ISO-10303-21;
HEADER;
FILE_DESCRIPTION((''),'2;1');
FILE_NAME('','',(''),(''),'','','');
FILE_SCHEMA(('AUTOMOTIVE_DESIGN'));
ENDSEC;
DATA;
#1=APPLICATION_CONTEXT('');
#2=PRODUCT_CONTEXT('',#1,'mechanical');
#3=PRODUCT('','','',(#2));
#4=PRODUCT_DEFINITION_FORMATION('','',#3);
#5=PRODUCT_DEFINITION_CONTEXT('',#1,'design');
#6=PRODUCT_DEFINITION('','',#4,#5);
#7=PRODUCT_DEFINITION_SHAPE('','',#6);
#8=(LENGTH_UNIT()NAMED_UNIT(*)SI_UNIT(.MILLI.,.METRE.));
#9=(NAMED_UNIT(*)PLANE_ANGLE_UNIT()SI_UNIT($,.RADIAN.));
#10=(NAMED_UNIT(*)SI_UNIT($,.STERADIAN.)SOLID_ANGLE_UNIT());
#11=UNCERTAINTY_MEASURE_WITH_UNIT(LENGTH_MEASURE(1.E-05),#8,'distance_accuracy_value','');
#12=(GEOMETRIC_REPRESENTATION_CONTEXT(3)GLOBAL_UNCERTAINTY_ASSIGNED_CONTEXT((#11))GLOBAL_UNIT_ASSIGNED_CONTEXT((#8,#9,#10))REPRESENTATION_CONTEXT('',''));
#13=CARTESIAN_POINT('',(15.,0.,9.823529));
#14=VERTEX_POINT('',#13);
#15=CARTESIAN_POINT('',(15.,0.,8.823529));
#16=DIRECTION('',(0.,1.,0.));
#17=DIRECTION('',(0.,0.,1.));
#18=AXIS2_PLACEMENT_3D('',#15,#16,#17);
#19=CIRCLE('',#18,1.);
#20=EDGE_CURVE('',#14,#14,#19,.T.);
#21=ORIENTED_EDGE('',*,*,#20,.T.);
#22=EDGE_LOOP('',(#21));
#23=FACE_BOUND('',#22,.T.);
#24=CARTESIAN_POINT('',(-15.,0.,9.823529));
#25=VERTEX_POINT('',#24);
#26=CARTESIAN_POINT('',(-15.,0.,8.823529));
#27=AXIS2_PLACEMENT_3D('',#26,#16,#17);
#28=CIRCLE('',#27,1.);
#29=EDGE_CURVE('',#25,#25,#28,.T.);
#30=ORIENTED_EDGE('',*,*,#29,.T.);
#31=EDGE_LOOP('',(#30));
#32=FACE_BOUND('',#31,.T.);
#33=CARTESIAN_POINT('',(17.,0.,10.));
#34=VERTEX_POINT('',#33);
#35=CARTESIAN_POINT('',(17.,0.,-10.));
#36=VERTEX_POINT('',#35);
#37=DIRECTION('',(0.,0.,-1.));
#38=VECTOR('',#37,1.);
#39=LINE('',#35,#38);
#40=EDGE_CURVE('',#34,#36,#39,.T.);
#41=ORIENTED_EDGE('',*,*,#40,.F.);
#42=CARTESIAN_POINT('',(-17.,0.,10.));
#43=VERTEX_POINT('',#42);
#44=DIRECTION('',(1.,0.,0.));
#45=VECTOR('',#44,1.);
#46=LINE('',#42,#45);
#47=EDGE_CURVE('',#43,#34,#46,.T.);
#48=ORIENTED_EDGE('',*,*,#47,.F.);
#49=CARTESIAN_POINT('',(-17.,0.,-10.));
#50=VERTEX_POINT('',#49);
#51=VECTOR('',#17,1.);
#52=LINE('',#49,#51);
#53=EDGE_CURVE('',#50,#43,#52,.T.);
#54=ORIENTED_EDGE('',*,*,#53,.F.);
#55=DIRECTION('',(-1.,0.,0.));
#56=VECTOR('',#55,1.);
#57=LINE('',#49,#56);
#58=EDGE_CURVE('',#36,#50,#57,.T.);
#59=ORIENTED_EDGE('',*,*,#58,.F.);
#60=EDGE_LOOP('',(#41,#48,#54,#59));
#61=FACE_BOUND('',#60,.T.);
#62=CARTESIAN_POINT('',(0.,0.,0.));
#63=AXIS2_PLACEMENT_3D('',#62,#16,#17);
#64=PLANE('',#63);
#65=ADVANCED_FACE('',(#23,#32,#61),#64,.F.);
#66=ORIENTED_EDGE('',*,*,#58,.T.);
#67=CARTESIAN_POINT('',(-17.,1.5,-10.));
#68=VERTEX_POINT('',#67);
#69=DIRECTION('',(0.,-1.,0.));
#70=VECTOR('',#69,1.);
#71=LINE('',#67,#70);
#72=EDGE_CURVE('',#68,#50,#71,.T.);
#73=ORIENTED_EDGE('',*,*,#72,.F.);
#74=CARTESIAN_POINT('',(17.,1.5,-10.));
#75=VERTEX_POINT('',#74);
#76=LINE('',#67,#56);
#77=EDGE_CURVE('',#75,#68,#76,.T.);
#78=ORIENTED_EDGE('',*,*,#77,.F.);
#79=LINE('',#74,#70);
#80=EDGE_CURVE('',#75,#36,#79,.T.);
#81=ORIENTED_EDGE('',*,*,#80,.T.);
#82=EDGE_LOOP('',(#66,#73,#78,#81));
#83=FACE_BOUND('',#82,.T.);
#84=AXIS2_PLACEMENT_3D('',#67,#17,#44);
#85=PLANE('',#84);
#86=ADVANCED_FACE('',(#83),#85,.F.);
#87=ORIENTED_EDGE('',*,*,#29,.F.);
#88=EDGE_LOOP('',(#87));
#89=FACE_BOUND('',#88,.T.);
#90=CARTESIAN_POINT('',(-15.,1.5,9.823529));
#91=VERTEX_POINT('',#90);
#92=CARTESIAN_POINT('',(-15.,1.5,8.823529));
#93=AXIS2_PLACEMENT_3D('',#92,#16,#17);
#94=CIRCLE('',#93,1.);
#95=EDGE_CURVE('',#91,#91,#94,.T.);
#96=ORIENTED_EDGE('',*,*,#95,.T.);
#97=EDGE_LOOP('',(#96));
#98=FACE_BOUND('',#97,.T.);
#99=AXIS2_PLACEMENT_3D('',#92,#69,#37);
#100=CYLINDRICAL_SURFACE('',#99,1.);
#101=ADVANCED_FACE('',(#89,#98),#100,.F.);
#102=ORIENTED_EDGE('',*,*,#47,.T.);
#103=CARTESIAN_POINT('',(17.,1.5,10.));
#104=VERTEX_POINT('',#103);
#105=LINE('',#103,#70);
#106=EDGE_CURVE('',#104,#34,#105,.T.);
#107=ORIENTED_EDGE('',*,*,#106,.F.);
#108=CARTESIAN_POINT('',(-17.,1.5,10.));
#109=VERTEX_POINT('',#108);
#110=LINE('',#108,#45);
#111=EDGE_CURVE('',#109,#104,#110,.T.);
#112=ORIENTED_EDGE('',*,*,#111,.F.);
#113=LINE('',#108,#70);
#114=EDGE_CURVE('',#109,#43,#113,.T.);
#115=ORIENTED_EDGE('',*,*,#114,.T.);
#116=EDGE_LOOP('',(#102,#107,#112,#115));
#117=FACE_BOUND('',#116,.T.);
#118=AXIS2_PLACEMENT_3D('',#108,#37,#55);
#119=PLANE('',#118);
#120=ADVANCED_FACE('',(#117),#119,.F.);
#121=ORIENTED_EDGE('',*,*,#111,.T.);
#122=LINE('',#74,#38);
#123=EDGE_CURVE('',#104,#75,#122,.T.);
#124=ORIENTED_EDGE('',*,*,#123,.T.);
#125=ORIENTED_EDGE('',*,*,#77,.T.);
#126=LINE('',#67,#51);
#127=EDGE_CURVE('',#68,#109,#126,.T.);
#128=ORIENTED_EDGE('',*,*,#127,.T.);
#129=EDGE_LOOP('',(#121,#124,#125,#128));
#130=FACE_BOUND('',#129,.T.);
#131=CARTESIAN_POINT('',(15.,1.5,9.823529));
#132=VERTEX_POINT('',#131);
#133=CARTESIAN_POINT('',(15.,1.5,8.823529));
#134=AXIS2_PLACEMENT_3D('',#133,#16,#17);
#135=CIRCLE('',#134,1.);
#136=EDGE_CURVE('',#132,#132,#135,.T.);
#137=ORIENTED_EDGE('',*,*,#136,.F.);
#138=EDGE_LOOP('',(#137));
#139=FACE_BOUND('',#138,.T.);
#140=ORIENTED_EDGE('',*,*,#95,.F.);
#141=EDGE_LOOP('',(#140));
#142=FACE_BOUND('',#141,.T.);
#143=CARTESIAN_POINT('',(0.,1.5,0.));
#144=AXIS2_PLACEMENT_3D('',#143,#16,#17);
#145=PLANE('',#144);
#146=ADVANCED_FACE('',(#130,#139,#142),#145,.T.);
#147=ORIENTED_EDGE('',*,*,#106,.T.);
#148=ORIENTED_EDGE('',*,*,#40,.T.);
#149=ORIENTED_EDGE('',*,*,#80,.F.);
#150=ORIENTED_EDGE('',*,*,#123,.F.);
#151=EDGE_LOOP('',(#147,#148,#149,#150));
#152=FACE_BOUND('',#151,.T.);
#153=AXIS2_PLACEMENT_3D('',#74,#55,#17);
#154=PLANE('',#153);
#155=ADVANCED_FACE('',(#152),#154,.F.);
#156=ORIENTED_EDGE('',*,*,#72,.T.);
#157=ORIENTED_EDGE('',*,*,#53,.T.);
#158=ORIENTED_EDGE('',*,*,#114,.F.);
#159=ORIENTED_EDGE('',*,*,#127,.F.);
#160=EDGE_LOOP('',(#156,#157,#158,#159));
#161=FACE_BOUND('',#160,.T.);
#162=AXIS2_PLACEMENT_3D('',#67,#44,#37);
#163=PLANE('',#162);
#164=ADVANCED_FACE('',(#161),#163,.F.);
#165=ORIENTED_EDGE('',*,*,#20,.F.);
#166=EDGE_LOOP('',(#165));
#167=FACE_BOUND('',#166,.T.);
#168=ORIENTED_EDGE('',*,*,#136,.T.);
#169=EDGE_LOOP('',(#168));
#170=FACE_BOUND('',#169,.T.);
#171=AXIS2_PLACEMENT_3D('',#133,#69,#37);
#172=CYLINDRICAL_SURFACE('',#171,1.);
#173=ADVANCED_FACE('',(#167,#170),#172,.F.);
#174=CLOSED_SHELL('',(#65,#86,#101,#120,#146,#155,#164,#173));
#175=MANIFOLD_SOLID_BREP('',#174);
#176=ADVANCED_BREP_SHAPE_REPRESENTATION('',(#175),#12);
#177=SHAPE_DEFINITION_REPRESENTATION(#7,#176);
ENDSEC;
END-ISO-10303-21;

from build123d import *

# Parameters (mm, degrees)
SKETCH2_W           = 34
SKETCH2_H           = 20
SKETCH2_R           = 1
BOSS_EXTRUDE1_DEPTH = 1.5


with BuildPart() as part:
    # Sketch2 → Boss-Extrude1 (new body)
    with BuildSketch(Plane(origin=(0, 0, 0), x_dir=(1, 0, 0), z_dir=(0, 1, 0))):
        Rectangle(SKETCH2_W, SKETCH2_H)
        with Locations(Location((-15, -8.823529412, 0), (0, 0, 270))):
            Circle(SKETCH2_R, mode=Mode.SUBTRACT)
        with Locations(Location((15, -8.823529412, 0), (0, 0, 270))):
            Circle(SKETCH2_R, mode=Mode.SUBTRACT)
    extrude(amount=BOSS_EXTRUDE1_DEPTH)


solid = part.part
